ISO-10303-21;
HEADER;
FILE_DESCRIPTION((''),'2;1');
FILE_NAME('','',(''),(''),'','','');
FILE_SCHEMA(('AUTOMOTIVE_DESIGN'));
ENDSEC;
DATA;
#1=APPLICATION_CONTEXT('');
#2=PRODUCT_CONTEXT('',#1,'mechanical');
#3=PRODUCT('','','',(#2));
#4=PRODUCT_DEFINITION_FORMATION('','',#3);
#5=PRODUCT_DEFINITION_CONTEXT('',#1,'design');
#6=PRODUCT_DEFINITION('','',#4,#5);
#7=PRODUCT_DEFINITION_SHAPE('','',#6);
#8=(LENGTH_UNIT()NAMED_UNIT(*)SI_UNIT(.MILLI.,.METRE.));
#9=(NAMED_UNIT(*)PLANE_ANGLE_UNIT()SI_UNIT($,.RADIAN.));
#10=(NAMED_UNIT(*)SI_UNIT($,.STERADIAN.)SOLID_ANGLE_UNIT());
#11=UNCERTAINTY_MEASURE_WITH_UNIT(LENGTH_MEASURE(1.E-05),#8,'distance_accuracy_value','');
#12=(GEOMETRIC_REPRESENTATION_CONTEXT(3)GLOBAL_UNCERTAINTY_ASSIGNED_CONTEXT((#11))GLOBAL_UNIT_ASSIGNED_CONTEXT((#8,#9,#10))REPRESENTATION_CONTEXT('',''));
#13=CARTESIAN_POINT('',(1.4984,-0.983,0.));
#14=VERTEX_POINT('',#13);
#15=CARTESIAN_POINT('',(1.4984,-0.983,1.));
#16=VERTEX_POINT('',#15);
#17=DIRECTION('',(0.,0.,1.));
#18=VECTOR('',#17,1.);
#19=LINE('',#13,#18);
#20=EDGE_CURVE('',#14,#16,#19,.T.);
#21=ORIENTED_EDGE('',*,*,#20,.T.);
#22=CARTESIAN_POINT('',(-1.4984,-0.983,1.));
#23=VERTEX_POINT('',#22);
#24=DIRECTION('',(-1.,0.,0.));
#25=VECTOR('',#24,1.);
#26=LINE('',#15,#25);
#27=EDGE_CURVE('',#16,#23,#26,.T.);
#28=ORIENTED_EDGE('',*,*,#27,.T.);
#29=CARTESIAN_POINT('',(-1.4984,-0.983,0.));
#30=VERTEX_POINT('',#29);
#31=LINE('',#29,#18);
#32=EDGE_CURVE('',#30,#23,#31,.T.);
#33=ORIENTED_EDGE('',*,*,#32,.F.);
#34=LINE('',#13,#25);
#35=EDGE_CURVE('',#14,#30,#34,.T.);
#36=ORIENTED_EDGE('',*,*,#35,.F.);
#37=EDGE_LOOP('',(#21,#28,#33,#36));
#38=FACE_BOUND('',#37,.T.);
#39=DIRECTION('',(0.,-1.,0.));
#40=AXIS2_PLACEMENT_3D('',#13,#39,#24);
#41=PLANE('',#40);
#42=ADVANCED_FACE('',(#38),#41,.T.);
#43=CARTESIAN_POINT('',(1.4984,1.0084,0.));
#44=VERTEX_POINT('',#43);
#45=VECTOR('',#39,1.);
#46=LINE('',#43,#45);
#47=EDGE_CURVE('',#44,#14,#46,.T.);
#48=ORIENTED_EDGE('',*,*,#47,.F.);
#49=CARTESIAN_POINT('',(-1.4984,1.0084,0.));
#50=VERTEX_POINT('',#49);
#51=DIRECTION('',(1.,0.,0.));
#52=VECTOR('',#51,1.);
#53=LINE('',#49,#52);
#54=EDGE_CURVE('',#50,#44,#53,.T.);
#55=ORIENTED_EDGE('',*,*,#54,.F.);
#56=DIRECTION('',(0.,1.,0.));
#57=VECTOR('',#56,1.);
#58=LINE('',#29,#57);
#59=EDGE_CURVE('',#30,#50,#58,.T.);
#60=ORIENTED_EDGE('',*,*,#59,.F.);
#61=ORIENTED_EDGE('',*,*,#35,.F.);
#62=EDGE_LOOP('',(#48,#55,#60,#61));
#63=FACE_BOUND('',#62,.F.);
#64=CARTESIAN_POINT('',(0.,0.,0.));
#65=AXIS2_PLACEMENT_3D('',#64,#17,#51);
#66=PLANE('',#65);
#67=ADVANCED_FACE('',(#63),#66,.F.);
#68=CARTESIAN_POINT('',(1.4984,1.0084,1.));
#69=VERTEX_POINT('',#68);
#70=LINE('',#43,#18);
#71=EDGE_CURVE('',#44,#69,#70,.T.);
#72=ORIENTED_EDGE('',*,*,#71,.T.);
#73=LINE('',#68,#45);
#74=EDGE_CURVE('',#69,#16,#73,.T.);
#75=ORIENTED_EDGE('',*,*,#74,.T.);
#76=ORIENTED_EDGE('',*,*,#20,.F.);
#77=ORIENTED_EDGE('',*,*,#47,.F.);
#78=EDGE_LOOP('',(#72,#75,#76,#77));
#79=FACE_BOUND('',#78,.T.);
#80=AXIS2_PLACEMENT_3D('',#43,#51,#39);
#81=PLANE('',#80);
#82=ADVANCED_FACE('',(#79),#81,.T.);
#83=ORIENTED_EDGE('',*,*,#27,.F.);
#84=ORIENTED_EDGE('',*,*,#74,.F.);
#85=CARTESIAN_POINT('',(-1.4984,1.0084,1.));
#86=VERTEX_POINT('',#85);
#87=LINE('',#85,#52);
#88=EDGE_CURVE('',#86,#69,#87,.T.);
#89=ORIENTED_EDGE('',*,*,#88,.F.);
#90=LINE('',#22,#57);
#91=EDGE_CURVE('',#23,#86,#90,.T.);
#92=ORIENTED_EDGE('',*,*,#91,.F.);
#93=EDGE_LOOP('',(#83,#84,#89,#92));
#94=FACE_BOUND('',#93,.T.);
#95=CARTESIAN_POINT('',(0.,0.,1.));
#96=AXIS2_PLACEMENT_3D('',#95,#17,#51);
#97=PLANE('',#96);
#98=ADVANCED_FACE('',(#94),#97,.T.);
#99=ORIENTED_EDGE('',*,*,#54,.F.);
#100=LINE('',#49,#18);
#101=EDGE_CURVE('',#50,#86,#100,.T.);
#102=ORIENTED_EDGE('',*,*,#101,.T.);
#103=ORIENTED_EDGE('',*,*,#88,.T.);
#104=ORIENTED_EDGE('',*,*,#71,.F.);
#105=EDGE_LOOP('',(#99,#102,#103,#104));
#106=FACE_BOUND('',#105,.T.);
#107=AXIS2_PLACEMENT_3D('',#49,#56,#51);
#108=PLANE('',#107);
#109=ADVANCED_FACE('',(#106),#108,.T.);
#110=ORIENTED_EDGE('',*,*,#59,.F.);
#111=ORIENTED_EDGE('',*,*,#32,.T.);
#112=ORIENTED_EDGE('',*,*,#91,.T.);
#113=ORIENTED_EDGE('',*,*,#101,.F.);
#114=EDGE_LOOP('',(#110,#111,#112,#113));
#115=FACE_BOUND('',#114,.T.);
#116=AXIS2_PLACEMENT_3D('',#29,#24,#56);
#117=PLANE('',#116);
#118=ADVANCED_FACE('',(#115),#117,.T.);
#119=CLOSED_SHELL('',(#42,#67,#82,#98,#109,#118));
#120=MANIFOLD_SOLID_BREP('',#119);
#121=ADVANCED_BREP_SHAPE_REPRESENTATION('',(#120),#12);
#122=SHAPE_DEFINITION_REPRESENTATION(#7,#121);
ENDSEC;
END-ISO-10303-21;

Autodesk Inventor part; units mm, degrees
ref_plane "YZ Plane" through (0, 0, 0) normal (1, 0, 0) x (0, 1, 0)
ref_plane "XZ Plane" through (0, 0, 0) normal (0, 1, 0) x (-1, 0, 0)
ref_plane "XY Plane" through (0, 0, 0) normal (0, 0, 1) x (1, 0, 0)
sketch "0603-CAP, 0_1UF_7" plane through (0, 0, 0) normal (0, 0, 1) x (1, 0, 0)
  line L0 (-1.4984, 1.0084) -> (1.4984, 1.0084)
  line L1 (1.4984, 1.0084) -> (1.4984, -0.983)
  line L2 (1.4984, -0.983) -> (-1.4984, -0.983)
  line L3 (-1.4984, -0.983) -> (-1.4984, 1.0084)
extrude "Extrusion1" add sketch "0603-CAP, 0_1UF_7" along normal blind 1
properties part number "0_1UF"
